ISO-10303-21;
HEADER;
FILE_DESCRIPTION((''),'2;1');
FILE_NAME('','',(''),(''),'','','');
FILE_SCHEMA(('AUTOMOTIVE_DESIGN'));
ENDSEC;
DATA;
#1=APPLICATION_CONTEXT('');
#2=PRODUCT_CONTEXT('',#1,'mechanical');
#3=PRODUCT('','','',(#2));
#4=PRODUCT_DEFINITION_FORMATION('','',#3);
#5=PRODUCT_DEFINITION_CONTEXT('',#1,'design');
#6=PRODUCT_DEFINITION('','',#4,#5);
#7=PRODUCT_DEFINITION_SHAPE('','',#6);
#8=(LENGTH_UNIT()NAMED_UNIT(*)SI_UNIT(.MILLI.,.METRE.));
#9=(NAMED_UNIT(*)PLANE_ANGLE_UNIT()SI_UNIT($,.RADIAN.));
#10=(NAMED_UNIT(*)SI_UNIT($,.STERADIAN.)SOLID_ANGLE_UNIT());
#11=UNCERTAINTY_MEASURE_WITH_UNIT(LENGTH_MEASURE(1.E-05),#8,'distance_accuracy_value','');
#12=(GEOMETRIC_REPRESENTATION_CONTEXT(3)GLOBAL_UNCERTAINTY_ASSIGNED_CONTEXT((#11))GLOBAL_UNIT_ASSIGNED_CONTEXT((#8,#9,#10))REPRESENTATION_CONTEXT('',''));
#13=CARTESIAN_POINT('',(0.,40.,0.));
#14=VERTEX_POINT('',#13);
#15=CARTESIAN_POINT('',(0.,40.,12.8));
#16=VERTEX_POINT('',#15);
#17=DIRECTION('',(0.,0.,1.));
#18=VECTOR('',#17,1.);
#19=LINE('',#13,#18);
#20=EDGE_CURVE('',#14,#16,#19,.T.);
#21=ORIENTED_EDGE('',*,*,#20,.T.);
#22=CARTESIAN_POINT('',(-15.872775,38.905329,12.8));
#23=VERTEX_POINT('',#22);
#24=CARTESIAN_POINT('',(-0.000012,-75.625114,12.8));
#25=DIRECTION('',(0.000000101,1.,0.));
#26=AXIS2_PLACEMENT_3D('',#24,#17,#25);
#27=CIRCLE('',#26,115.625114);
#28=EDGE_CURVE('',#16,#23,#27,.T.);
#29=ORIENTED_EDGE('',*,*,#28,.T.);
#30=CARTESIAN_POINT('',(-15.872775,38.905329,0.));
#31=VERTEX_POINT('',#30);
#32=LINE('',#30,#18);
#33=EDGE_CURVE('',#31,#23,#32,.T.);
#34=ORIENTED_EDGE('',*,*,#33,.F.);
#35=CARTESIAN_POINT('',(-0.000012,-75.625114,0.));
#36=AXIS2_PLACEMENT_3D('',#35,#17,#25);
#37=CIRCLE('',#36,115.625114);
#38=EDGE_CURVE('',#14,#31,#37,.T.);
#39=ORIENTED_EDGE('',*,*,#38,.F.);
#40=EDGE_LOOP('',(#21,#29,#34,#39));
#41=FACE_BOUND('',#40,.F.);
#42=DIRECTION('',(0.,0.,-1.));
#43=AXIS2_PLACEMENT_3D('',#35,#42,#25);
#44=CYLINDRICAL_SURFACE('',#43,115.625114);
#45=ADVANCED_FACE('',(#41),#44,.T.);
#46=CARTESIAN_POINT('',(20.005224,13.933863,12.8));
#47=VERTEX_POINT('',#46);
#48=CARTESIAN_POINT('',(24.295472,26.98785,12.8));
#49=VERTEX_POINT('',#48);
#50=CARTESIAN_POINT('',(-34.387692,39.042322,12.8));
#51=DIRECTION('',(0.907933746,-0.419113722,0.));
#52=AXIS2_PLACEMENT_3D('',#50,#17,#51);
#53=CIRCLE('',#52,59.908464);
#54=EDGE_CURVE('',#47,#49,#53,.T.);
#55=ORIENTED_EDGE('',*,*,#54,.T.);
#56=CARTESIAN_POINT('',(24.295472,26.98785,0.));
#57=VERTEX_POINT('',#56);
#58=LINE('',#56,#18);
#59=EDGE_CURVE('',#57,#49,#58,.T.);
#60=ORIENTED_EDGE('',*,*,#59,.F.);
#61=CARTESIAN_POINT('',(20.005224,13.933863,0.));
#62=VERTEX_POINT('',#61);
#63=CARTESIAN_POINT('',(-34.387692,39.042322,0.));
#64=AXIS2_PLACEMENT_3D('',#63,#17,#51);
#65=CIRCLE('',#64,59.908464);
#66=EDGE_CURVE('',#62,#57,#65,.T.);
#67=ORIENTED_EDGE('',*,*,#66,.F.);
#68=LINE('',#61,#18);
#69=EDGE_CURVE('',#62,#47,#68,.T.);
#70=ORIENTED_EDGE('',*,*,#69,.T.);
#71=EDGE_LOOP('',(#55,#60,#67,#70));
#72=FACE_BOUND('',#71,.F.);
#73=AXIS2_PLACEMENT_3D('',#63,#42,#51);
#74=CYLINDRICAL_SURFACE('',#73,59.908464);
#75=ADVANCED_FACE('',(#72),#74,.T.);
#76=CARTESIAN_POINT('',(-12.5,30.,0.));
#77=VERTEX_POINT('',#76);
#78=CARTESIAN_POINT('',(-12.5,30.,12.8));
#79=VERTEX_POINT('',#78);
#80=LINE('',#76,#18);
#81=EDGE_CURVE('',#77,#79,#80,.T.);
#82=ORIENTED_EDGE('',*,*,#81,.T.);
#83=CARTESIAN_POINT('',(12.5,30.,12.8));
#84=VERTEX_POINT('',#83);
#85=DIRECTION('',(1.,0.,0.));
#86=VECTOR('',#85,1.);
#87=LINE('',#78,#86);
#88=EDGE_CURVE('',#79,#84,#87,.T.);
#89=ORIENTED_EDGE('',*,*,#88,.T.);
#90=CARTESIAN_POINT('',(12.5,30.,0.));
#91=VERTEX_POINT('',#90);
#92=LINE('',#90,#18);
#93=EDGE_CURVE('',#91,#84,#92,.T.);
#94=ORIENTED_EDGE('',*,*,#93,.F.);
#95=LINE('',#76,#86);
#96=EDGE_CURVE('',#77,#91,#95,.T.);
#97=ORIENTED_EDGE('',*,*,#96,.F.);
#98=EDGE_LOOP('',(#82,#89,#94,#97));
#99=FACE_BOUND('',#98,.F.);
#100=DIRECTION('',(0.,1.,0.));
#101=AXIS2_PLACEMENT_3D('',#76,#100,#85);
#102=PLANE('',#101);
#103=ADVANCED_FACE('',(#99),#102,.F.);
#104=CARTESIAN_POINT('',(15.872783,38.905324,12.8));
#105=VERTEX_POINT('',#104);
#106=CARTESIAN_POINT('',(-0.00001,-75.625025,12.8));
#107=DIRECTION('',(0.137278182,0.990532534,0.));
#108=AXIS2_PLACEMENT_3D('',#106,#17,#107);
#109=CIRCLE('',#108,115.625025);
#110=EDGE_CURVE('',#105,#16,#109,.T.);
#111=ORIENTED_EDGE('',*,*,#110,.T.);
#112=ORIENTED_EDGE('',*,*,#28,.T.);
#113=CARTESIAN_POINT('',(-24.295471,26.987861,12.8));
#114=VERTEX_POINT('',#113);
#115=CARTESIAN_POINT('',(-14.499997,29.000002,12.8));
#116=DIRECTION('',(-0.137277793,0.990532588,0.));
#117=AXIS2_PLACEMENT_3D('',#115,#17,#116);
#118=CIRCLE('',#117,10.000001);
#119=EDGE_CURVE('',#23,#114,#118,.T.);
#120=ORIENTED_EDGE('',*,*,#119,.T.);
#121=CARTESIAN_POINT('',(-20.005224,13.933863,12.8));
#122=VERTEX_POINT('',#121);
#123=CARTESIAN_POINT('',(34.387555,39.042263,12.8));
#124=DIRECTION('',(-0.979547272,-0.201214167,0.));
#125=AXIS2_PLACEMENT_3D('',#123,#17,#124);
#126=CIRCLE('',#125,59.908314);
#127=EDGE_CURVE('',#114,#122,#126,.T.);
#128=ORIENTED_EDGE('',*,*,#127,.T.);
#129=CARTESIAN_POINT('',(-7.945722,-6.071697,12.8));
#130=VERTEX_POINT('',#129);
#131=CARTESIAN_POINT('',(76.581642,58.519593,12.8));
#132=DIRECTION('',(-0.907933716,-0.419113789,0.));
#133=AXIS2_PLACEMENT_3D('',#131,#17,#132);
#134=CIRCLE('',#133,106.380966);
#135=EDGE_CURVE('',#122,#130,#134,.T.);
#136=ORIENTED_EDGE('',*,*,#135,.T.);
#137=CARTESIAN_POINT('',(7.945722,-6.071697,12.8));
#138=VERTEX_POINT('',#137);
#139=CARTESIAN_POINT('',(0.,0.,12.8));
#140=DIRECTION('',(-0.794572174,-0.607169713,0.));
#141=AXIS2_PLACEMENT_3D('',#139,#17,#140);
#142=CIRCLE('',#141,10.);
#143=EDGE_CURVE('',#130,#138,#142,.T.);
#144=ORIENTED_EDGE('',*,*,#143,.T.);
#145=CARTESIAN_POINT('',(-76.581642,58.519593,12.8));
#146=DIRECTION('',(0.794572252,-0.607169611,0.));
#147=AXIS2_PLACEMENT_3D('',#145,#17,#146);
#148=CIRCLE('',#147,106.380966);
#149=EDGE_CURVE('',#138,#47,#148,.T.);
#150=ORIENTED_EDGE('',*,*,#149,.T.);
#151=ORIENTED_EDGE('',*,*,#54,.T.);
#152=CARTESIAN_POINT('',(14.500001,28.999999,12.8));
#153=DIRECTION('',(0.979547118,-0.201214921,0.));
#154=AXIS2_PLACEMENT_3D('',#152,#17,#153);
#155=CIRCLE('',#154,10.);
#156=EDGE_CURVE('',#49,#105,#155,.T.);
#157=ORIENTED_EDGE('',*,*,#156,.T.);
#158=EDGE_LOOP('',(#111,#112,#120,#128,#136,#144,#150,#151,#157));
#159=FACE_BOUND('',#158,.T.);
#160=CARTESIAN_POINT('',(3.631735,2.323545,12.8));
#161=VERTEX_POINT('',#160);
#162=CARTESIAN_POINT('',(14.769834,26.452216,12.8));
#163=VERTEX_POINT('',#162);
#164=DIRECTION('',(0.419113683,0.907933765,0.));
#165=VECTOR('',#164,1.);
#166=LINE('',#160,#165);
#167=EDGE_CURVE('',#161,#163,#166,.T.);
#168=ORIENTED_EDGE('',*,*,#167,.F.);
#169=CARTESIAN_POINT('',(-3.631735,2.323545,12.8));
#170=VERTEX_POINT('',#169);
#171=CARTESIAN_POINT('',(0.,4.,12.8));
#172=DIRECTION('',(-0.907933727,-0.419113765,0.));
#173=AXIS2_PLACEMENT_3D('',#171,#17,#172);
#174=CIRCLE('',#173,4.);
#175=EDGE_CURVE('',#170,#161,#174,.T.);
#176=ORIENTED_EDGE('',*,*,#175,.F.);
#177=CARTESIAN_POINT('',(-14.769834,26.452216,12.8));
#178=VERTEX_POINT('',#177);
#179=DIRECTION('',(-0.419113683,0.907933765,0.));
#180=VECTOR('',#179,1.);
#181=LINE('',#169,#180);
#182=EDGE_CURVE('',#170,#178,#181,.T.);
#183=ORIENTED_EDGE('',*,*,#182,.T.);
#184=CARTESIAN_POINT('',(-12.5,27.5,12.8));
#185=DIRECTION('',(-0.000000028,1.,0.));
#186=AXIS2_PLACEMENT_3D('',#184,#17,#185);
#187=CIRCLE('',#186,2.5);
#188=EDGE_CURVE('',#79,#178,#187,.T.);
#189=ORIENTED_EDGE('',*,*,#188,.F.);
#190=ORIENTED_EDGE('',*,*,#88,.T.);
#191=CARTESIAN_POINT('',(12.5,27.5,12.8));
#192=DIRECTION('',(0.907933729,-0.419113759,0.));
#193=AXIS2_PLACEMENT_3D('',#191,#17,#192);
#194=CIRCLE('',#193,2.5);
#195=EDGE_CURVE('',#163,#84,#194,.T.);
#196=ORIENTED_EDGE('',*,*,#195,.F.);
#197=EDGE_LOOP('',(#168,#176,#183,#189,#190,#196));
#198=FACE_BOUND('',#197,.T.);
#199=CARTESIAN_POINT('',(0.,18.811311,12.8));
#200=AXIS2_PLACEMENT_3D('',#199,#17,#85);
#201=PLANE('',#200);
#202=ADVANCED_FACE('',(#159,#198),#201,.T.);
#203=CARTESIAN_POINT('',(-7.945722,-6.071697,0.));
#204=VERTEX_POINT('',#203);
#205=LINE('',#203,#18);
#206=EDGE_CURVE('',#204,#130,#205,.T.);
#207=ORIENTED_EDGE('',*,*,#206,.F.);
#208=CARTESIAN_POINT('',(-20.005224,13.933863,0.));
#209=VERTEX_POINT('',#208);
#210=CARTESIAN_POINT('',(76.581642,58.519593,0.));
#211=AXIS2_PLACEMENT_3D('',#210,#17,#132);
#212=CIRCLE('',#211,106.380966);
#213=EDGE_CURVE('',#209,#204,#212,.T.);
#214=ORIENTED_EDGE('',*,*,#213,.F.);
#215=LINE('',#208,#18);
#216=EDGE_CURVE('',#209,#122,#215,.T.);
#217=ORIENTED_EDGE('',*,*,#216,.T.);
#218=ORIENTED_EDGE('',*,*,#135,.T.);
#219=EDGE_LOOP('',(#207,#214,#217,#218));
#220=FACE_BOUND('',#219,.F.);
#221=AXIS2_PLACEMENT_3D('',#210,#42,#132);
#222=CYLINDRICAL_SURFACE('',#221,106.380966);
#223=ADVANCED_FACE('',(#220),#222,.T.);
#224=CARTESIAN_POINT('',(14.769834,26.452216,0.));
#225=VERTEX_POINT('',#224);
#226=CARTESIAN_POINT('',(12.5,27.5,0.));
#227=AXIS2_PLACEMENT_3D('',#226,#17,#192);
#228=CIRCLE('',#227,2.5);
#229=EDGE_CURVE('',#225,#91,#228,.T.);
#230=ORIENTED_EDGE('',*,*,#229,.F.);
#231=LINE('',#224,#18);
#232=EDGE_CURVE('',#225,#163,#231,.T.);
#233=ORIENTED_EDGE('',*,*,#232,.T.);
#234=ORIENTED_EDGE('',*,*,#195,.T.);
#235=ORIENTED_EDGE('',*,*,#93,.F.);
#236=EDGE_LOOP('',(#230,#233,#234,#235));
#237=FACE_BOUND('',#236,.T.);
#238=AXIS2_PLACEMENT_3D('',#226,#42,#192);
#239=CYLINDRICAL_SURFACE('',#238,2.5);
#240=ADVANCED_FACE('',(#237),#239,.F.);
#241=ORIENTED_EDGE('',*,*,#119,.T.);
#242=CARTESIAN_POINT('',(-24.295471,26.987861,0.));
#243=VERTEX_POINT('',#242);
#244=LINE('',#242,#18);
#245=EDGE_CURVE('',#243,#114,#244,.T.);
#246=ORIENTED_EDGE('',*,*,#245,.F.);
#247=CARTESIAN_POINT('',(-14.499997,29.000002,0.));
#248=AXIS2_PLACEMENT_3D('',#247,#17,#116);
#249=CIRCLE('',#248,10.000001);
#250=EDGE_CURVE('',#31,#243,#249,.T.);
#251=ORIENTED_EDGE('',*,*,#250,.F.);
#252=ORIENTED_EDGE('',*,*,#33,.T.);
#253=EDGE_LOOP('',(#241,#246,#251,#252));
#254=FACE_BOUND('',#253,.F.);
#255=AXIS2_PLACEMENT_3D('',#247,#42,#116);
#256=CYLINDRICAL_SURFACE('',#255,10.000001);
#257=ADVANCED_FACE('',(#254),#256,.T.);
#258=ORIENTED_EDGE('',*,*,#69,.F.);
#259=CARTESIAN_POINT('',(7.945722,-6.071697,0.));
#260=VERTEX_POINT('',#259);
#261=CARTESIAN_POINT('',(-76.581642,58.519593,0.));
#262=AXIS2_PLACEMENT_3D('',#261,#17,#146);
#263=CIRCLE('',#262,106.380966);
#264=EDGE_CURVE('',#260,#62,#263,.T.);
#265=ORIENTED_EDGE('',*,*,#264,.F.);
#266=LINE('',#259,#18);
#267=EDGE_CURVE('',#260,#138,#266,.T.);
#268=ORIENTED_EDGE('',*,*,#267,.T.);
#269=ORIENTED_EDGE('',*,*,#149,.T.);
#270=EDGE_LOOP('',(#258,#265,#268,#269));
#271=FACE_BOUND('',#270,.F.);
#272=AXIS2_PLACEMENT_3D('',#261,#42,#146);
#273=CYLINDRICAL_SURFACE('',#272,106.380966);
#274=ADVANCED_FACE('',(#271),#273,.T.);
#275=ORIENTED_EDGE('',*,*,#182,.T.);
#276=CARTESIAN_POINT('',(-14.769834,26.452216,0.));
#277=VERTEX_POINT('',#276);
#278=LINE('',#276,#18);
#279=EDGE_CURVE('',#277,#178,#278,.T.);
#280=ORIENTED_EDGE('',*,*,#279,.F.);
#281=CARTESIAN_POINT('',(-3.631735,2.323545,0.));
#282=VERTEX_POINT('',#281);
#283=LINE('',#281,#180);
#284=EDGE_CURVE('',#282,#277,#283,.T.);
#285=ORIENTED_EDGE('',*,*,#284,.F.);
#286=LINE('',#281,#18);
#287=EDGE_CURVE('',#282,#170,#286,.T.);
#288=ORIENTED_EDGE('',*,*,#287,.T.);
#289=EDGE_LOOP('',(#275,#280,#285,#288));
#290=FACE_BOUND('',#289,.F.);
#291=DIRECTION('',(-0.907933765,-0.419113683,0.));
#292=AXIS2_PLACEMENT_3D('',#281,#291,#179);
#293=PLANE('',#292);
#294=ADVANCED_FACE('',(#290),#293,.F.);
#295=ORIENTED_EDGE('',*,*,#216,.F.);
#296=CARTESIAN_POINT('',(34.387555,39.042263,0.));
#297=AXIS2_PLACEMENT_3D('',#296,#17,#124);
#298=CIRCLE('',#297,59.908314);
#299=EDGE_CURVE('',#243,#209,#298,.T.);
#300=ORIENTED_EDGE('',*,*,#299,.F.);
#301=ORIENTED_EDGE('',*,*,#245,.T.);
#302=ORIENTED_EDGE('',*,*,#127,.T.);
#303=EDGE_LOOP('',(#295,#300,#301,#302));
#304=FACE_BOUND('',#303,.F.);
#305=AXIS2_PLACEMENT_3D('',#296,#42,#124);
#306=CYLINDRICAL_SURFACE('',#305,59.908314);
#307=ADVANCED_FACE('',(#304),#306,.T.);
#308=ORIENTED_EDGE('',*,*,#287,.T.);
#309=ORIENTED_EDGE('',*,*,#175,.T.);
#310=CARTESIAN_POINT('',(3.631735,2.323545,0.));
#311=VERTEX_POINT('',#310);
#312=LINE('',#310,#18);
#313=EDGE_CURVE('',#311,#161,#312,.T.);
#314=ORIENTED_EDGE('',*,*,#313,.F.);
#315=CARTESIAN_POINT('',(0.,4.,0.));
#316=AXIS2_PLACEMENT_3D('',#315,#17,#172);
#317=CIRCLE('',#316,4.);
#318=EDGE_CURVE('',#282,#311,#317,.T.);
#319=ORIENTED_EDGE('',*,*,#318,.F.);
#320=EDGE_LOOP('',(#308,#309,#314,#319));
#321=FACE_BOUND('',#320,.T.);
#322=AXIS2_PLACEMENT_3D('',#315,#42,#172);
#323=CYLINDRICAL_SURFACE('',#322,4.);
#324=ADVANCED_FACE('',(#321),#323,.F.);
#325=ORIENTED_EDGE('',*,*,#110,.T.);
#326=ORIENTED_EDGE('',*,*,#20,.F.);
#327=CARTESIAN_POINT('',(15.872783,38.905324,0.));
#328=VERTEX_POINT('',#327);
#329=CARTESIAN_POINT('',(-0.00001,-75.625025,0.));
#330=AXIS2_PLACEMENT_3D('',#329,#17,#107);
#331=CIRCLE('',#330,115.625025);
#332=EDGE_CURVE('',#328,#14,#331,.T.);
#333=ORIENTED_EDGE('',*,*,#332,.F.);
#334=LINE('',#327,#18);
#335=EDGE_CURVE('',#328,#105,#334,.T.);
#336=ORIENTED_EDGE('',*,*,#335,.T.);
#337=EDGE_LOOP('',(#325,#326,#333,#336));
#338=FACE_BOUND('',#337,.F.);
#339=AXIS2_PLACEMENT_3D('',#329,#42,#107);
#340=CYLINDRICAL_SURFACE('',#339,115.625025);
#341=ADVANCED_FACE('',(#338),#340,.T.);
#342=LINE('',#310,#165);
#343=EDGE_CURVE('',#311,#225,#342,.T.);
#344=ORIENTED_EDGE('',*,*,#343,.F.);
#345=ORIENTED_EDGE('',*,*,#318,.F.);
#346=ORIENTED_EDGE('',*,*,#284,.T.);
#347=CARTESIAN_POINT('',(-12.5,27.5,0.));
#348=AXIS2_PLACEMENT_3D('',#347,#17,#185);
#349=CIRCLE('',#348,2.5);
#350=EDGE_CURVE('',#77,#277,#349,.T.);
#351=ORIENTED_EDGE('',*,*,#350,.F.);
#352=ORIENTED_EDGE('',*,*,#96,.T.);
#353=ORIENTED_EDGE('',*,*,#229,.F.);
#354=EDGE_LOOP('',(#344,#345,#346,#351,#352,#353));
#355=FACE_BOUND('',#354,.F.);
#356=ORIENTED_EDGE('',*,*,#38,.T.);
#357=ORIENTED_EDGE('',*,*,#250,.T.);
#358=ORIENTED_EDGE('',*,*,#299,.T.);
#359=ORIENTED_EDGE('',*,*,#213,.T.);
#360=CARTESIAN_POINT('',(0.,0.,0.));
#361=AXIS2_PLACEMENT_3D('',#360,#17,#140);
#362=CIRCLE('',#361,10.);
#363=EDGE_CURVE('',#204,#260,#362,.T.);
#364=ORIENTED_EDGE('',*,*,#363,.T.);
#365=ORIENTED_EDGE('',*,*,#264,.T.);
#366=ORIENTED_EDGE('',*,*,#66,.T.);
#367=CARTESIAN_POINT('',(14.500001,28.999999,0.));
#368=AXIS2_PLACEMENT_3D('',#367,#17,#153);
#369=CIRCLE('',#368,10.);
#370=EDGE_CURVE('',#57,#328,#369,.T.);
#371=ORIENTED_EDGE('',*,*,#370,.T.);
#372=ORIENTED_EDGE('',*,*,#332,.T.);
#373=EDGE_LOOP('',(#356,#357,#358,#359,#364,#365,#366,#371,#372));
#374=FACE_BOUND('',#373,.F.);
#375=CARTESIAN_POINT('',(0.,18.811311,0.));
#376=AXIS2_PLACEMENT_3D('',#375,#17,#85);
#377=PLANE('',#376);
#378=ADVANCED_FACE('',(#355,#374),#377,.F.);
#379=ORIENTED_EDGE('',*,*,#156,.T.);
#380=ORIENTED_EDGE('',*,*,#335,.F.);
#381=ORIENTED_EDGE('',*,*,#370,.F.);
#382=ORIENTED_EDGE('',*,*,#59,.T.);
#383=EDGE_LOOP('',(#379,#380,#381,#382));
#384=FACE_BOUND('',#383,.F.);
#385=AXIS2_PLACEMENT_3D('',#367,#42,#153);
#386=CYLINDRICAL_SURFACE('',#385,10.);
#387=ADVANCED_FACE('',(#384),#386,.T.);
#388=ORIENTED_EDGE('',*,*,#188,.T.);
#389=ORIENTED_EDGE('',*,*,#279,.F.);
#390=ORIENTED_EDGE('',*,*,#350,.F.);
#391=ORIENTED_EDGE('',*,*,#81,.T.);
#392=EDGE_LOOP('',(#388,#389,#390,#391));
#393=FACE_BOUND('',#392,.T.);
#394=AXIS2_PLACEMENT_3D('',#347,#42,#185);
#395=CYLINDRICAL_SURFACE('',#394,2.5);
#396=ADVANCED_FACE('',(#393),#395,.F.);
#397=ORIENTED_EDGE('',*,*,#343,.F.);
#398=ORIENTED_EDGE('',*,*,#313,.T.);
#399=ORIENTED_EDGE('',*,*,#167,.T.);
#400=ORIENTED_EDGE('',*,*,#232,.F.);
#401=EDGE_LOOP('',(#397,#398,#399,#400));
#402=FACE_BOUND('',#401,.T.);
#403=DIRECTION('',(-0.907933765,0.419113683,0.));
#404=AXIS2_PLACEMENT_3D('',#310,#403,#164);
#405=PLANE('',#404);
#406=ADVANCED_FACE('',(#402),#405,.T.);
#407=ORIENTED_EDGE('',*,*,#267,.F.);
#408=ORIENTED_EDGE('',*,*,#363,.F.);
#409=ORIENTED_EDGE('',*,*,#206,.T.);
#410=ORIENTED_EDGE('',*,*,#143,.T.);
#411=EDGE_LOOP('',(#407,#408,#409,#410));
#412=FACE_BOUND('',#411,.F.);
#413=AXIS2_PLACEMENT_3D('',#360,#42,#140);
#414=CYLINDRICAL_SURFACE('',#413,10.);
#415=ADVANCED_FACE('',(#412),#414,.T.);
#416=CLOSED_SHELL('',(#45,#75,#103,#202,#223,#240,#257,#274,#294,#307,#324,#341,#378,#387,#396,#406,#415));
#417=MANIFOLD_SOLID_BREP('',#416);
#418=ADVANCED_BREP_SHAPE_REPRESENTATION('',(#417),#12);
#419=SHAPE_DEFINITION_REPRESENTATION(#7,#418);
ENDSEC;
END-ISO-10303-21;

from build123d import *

# Parameters (mm, degrees)
PAD_DEPTH = 12.8


with BuildPart() as part:
    # Sketch → Pad (new body)
    with BuildSketch(Plane.XY):
        with BuildLine():
            ThreePointArc((-24.295471, 26.987861), (-22.525854, 20.33745), (-20.005224, 13.933863))
            ThreePointArc((-20.005224, 13.933863), (-14.526243, 3.599075), (-7.945722, -6.071697))
            ThreePointArc((-7.945722, -6.071697), (0, -10), (7.945722, -6.071697))
            ThreePointArc((7.945722, -6.071697), (14.526243, 3.599075), (20.005224, 13.933863))
            ThreePointArc((20.005224, 13.933863), (22.525853, 20.337445), (24.295472, 26.98785))
            ThreePointArc((24.295472, 26.98785), (22.666335, 34.771566), (15.872783, 38.905324))
            ThreePointArc((15.872783, 38.905324), (7.955243, 39.726006), (0, 40))
            ThreePointArc((0, 40), (-7.955239, 39.726008), (-15.872775, 38.905329))
            ThreePointArc((-15.872775, 38.905329), (-22.666329, 34.771574), (-24.295471, 26.987861))
        make_face()
        with BuildLine():
            Line((3.631735, 2.323545), (14.769834, 26.452216))
            ThreePointArc((14.769834, 26.452216), (14.60588, 28.847319), (12.5, 30))
            Line((-12.5, 30), (12.5, 30))
            ThreePointArc((-12.5, 30), (-14.60588, 28.847319), (-14.769834, 26.452216))
            Line((-3.631735, 2.323545), (-14.769834, 26.452216))
            ThreePointArc((-3.631735, 2.323545), (0, 0), (3.631735, 2.323545))
        make_face(mode=Mode.SUBTRACT)
    extrude(amount=PAD_DEPTH)


solid = part.part
